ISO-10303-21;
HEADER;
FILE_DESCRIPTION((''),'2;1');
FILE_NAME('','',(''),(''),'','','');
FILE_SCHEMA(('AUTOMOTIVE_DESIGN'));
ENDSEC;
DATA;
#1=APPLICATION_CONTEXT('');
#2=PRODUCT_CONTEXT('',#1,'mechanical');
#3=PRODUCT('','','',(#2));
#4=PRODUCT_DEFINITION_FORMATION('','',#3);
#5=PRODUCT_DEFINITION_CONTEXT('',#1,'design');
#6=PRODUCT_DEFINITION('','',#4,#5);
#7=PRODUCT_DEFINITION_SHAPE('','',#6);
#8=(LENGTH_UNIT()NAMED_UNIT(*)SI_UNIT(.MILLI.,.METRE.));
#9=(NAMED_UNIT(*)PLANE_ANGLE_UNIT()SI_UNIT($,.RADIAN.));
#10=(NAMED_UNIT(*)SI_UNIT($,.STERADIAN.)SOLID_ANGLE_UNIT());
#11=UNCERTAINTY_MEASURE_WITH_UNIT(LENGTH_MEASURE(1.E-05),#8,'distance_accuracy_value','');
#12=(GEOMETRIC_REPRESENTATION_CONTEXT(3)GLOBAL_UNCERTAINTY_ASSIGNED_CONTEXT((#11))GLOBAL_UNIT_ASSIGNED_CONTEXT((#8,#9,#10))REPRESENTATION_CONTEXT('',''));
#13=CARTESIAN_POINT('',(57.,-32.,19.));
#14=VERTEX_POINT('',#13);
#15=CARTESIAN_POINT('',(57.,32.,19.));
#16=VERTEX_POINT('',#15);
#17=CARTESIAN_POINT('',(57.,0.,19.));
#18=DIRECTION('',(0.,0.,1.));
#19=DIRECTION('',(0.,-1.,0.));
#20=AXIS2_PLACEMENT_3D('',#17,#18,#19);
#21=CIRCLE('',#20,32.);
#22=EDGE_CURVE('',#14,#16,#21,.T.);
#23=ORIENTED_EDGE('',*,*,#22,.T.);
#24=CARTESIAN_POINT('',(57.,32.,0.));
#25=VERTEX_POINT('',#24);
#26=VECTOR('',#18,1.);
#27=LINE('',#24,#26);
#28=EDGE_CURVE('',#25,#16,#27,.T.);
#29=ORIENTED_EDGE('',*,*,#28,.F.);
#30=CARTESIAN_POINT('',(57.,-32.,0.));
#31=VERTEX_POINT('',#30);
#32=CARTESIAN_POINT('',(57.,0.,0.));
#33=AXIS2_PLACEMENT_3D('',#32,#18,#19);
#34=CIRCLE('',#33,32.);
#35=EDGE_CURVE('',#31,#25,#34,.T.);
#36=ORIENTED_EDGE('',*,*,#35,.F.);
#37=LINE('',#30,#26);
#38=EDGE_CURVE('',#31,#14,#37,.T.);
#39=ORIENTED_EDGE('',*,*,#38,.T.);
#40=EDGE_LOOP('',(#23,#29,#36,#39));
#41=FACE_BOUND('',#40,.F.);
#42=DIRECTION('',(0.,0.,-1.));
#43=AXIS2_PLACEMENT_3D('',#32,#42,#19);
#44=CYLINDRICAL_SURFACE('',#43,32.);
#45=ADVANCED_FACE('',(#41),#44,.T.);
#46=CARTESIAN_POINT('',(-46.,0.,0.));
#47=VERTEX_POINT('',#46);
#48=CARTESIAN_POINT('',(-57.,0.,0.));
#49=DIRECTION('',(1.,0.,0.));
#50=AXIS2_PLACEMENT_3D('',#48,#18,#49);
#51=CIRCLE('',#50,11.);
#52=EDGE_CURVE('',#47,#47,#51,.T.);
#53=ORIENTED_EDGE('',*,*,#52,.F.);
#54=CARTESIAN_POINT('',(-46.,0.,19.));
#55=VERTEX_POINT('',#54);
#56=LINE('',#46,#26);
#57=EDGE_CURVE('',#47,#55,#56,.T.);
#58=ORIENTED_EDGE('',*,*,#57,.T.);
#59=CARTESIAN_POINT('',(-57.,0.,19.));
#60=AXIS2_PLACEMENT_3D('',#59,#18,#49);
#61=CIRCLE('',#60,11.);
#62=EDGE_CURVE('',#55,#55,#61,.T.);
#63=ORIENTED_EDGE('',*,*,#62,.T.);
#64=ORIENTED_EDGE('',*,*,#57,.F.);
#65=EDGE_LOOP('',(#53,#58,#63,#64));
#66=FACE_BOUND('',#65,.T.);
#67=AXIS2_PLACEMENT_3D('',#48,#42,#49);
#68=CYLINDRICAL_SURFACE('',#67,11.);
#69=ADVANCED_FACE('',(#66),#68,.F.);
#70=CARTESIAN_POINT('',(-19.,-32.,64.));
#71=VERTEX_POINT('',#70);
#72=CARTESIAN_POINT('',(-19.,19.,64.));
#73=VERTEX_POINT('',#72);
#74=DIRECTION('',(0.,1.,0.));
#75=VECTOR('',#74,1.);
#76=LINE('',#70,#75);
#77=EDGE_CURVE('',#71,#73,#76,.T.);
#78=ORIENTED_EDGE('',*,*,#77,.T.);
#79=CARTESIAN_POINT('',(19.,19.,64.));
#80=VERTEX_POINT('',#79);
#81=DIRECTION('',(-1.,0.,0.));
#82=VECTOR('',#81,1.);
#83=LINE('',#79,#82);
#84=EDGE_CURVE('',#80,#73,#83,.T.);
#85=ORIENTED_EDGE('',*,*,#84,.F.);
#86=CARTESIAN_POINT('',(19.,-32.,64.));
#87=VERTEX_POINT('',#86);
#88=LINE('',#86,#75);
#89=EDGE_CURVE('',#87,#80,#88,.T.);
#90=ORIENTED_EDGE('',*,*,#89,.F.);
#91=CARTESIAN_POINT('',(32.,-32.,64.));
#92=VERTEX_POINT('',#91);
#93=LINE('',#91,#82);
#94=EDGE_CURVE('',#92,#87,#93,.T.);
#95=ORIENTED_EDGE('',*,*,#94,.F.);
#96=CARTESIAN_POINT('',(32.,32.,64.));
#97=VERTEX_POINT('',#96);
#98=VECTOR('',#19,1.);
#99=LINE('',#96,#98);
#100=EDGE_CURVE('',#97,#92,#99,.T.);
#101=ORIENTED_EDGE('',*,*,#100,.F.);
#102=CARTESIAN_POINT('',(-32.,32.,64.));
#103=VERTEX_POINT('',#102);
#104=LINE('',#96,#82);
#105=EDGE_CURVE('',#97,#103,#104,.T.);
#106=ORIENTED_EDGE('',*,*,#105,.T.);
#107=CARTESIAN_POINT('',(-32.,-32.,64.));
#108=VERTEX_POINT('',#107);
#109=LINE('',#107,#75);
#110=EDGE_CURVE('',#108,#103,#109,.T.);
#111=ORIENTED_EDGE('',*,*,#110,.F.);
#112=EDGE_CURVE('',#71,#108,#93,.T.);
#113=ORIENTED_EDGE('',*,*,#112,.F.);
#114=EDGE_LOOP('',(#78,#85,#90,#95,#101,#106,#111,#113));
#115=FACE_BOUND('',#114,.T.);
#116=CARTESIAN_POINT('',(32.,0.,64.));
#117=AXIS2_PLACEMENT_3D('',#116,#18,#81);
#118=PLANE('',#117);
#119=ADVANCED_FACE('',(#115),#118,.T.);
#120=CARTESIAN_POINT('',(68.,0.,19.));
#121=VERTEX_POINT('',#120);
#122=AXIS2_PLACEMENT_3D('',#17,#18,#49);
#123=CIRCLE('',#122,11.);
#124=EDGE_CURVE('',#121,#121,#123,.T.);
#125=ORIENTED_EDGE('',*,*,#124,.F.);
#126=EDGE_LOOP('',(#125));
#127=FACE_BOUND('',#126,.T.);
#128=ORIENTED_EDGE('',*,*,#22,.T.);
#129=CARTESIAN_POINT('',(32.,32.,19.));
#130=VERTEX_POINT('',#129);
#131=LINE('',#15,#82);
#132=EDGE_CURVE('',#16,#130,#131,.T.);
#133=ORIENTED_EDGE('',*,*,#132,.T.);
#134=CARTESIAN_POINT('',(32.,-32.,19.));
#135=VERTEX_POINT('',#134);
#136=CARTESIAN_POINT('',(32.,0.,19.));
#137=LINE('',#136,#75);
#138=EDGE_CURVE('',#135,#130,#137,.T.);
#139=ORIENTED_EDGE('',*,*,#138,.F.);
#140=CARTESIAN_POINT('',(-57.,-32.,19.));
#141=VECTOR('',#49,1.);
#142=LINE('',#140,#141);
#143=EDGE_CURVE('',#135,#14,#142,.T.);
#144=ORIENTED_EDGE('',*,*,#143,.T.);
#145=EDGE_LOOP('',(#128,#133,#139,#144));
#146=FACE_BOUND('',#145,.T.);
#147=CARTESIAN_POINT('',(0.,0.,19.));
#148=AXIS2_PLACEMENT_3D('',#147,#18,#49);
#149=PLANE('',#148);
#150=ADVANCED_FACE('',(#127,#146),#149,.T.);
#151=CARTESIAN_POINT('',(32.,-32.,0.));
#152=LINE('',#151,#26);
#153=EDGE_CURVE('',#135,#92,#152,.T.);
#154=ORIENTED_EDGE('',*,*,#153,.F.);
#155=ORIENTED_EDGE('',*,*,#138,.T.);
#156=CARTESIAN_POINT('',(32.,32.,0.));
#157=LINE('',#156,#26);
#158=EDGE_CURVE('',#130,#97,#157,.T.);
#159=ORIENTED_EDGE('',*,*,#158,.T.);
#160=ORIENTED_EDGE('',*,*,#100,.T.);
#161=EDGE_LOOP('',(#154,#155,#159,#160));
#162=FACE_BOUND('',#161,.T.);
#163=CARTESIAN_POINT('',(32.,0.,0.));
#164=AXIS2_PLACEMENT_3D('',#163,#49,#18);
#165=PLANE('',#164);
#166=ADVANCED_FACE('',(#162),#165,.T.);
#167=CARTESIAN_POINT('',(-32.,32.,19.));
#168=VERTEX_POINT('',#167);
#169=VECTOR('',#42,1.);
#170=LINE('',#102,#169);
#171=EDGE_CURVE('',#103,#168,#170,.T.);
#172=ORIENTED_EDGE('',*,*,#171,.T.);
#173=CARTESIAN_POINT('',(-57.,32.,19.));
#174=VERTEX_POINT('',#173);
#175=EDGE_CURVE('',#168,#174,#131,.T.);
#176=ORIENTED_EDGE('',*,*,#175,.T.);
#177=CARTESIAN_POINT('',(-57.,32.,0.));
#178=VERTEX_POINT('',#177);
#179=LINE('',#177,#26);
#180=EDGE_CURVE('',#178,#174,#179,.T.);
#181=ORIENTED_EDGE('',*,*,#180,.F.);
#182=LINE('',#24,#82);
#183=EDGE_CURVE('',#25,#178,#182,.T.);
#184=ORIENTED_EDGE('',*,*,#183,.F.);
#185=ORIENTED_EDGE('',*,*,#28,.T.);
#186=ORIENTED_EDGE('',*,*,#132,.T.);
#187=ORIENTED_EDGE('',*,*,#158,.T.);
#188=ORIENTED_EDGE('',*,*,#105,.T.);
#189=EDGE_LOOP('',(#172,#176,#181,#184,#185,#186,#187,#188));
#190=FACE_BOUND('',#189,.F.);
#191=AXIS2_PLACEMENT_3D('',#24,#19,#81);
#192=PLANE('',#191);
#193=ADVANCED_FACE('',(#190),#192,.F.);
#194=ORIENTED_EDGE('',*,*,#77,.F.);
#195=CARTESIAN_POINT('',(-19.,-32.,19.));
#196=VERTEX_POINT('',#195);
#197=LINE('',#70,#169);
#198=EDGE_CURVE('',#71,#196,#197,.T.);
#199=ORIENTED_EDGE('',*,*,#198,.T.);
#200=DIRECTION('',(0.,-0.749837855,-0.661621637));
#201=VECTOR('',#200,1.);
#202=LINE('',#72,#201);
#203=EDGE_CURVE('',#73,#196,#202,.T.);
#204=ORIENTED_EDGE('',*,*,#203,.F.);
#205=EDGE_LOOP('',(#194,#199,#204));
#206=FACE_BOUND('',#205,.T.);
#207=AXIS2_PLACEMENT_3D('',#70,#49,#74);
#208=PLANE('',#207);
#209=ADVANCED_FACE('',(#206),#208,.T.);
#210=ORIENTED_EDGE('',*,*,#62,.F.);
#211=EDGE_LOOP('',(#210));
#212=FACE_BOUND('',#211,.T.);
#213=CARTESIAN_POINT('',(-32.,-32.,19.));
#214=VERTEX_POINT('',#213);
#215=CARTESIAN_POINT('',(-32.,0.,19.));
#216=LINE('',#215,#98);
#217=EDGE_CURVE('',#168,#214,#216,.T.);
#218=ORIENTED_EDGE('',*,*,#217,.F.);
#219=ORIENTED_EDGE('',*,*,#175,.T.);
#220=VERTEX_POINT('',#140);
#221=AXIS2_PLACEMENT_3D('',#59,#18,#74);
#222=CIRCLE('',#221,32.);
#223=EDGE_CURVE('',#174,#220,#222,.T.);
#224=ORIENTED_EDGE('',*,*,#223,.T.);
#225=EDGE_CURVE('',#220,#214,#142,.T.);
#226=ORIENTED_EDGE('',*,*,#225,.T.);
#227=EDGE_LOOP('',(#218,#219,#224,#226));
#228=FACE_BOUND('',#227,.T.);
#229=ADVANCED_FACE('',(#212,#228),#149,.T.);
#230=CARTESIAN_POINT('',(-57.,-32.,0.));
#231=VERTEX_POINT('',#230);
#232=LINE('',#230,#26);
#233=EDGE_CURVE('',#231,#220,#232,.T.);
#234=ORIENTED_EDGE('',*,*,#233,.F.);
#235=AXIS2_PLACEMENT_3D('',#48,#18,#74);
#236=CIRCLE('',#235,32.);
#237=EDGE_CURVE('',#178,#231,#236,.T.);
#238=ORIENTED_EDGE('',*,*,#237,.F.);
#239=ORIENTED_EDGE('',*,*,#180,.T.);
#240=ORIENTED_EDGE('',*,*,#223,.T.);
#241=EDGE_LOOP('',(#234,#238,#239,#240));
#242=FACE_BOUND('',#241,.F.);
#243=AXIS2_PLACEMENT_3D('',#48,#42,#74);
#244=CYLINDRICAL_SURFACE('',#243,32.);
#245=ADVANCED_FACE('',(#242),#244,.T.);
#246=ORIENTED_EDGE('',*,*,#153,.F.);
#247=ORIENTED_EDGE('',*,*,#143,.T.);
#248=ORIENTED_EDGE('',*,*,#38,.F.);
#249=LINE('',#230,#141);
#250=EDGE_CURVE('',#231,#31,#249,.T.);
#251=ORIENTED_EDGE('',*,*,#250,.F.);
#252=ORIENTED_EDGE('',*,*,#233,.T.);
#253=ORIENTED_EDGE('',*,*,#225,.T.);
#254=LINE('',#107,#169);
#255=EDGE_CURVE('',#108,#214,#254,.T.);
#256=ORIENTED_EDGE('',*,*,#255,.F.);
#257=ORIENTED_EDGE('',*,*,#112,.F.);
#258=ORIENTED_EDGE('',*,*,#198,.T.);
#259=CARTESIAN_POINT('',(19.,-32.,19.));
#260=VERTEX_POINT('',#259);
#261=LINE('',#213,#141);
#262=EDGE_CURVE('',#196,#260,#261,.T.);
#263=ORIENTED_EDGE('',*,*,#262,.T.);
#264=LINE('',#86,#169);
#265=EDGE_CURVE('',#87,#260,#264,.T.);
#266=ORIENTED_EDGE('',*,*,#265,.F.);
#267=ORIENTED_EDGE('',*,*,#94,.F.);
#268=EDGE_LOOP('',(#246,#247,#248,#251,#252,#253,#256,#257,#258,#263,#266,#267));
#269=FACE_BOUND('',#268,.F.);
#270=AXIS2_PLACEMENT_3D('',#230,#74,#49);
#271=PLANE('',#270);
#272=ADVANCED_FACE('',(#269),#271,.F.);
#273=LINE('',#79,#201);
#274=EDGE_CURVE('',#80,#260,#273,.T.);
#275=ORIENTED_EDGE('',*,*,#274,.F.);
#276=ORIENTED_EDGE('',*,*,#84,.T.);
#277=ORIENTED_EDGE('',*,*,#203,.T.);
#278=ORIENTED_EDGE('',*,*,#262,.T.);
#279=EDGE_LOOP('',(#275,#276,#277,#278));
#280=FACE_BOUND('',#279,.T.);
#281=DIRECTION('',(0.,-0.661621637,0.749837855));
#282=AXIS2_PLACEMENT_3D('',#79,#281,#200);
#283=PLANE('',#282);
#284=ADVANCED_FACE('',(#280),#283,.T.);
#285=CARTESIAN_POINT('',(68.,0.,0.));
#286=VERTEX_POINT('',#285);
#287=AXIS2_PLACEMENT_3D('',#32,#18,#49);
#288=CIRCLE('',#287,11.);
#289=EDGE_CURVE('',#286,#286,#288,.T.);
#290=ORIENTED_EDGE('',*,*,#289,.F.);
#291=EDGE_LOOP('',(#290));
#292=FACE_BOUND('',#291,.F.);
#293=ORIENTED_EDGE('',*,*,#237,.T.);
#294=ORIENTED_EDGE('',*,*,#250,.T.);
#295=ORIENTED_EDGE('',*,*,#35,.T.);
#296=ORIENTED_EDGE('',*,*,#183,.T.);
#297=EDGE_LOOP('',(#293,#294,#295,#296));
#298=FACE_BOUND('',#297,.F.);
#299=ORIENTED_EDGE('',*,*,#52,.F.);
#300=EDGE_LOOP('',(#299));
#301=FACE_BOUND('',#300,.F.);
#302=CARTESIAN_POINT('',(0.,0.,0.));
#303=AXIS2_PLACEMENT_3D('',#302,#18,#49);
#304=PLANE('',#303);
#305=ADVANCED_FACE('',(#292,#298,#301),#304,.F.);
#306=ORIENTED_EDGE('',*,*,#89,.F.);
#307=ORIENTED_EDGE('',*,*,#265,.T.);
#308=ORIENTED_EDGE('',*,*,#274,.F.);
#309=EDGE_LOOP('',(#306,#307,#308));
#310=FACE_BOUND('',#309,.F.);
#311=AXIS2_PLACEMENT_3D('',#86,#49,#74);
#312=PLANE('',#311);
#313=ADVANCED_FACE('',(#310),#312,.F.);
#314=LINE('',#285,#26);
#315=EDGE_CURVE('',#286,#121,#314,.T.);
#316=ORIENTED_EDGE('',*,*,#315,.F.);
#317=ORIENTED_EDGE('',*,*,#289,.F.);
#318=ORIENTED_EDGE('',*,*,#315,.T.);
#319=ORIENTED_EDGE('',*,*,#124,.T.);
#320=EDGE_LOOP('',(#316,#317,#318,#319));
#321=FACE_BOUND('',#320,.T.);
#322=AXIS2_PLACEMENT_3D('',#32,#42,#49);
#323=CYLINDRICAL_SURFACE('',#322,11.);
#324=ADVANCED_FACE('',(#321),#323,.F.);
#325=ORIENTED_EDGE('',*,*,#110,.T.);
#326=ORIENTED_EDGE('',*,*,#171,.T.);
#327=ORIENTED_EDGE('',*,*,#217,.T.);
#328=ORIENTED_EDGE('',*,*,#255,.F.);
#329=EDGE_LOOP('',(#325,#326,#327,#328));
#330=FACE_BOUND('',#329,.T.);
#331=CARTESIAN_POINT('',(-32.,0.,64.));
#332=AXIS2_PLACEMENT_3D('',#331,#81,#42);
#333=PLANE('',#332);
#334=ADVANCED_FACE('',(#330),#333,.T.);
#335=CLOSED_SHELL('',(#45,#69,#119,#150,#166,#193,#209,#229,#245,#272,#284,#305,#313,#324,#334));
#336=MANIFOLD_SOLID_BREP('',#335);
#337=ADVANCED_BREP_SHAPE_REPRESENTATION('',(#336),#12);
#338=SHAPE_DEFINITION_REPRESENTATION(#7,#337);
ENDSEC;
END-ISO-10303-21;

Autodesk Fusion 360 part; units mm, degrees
sketch "Sketch1" plane through (0, 0, 0) normal (0, 0, 1) x (1, 0, 0)
  line L0 (57, 32) -> (-57, 32)
  line L1 (-57, -32) -> (57, -32)
  circle A0 centre (57, 0) radius 11
  circle A1 centre (-57, 0) radius 11
  arc A2 (57, -32) -> (57, 32) centre (57, 0) ccw
  arc A3 (-57, 32) -> (-57, -32) centre (-57, 0) ccw
  line L2 (-57, -32) -> (-32, -32) construction
  line L3 (57, -32) -> (32, -32) construction
  dimension "d1" = 114
  dimension "d2" = 64
  dimension "d3" = 64
  dimension "d4" = 64
  dimension "d5" = 22
  dimension "d6" = 22
  dimension "d9" = 25
  dimension "d10" = 25
extrude "Extrude1" add sketch "Sketch1" along normal blind 19
sketch "Sketch2" plane through (0, 0, 0) normal (0, 1, 0) x (1, 0, 0)
  line L0 (-32, 0) -> (32, 0)
  line L1 (32, 0) -> (32, -64)
  line L2 (32, -64) -> (-32, -64)
  line L3 (-32, -64) -> (-32, 0)
  dimension "d11" = 64
extrude "Extrude2" add sketch "Sketch2" along normal mid plane 64
sketch "Sketch3" plane through (0, 0, 64) normal (0, 0, 1) x (-1, 0, 0)
  line L0 (-32, 32) -> (-32, -32)
  line L1 (-32, -32) -> (32, -32)
  line L2 (32, -32) -> (32, 32)
  line L3 (32, 32) -> (-32, 32)
  line L4 (32, 32) -> (32, -19)
  line L5 (-32, 32) -> (-32, -19)
  line L6 (32, 32) -> (19, 32)
  line L7 (-32, 32) -> (-19, 32)
  line L8 (19, 32) -> (19, -19)
  line L9 (-19, 32) -> (-19, -19)
  line L10 (-19, -19) -> (19, -19)
  dimension "d14" = 51
  dimension "d15" = 51
  dimension "d16" = 13
  dimension "d17" = 13
extrude "Extrude3" cut sketch "Sketch3" against normal blind 45 contours L3 L8 L9 L10
sketch "Sketch4" plane through (19, 0, 0) normal (-1, 0, 0) x (0, -1, 0)
  line L0 (32, 64) -> (-19, 64)
  line L1 (-19, 64) -> (-19, 19)
  line L2 (-19, 19) -> (32, 19)
  line L3 (32, 19) -> (32, 64)
  line L4 (-19, 64) -> (32, 19)
extrude "Extrude4" add sketch "Sketch4" along normal blind 38 contours L1 L2 L4
